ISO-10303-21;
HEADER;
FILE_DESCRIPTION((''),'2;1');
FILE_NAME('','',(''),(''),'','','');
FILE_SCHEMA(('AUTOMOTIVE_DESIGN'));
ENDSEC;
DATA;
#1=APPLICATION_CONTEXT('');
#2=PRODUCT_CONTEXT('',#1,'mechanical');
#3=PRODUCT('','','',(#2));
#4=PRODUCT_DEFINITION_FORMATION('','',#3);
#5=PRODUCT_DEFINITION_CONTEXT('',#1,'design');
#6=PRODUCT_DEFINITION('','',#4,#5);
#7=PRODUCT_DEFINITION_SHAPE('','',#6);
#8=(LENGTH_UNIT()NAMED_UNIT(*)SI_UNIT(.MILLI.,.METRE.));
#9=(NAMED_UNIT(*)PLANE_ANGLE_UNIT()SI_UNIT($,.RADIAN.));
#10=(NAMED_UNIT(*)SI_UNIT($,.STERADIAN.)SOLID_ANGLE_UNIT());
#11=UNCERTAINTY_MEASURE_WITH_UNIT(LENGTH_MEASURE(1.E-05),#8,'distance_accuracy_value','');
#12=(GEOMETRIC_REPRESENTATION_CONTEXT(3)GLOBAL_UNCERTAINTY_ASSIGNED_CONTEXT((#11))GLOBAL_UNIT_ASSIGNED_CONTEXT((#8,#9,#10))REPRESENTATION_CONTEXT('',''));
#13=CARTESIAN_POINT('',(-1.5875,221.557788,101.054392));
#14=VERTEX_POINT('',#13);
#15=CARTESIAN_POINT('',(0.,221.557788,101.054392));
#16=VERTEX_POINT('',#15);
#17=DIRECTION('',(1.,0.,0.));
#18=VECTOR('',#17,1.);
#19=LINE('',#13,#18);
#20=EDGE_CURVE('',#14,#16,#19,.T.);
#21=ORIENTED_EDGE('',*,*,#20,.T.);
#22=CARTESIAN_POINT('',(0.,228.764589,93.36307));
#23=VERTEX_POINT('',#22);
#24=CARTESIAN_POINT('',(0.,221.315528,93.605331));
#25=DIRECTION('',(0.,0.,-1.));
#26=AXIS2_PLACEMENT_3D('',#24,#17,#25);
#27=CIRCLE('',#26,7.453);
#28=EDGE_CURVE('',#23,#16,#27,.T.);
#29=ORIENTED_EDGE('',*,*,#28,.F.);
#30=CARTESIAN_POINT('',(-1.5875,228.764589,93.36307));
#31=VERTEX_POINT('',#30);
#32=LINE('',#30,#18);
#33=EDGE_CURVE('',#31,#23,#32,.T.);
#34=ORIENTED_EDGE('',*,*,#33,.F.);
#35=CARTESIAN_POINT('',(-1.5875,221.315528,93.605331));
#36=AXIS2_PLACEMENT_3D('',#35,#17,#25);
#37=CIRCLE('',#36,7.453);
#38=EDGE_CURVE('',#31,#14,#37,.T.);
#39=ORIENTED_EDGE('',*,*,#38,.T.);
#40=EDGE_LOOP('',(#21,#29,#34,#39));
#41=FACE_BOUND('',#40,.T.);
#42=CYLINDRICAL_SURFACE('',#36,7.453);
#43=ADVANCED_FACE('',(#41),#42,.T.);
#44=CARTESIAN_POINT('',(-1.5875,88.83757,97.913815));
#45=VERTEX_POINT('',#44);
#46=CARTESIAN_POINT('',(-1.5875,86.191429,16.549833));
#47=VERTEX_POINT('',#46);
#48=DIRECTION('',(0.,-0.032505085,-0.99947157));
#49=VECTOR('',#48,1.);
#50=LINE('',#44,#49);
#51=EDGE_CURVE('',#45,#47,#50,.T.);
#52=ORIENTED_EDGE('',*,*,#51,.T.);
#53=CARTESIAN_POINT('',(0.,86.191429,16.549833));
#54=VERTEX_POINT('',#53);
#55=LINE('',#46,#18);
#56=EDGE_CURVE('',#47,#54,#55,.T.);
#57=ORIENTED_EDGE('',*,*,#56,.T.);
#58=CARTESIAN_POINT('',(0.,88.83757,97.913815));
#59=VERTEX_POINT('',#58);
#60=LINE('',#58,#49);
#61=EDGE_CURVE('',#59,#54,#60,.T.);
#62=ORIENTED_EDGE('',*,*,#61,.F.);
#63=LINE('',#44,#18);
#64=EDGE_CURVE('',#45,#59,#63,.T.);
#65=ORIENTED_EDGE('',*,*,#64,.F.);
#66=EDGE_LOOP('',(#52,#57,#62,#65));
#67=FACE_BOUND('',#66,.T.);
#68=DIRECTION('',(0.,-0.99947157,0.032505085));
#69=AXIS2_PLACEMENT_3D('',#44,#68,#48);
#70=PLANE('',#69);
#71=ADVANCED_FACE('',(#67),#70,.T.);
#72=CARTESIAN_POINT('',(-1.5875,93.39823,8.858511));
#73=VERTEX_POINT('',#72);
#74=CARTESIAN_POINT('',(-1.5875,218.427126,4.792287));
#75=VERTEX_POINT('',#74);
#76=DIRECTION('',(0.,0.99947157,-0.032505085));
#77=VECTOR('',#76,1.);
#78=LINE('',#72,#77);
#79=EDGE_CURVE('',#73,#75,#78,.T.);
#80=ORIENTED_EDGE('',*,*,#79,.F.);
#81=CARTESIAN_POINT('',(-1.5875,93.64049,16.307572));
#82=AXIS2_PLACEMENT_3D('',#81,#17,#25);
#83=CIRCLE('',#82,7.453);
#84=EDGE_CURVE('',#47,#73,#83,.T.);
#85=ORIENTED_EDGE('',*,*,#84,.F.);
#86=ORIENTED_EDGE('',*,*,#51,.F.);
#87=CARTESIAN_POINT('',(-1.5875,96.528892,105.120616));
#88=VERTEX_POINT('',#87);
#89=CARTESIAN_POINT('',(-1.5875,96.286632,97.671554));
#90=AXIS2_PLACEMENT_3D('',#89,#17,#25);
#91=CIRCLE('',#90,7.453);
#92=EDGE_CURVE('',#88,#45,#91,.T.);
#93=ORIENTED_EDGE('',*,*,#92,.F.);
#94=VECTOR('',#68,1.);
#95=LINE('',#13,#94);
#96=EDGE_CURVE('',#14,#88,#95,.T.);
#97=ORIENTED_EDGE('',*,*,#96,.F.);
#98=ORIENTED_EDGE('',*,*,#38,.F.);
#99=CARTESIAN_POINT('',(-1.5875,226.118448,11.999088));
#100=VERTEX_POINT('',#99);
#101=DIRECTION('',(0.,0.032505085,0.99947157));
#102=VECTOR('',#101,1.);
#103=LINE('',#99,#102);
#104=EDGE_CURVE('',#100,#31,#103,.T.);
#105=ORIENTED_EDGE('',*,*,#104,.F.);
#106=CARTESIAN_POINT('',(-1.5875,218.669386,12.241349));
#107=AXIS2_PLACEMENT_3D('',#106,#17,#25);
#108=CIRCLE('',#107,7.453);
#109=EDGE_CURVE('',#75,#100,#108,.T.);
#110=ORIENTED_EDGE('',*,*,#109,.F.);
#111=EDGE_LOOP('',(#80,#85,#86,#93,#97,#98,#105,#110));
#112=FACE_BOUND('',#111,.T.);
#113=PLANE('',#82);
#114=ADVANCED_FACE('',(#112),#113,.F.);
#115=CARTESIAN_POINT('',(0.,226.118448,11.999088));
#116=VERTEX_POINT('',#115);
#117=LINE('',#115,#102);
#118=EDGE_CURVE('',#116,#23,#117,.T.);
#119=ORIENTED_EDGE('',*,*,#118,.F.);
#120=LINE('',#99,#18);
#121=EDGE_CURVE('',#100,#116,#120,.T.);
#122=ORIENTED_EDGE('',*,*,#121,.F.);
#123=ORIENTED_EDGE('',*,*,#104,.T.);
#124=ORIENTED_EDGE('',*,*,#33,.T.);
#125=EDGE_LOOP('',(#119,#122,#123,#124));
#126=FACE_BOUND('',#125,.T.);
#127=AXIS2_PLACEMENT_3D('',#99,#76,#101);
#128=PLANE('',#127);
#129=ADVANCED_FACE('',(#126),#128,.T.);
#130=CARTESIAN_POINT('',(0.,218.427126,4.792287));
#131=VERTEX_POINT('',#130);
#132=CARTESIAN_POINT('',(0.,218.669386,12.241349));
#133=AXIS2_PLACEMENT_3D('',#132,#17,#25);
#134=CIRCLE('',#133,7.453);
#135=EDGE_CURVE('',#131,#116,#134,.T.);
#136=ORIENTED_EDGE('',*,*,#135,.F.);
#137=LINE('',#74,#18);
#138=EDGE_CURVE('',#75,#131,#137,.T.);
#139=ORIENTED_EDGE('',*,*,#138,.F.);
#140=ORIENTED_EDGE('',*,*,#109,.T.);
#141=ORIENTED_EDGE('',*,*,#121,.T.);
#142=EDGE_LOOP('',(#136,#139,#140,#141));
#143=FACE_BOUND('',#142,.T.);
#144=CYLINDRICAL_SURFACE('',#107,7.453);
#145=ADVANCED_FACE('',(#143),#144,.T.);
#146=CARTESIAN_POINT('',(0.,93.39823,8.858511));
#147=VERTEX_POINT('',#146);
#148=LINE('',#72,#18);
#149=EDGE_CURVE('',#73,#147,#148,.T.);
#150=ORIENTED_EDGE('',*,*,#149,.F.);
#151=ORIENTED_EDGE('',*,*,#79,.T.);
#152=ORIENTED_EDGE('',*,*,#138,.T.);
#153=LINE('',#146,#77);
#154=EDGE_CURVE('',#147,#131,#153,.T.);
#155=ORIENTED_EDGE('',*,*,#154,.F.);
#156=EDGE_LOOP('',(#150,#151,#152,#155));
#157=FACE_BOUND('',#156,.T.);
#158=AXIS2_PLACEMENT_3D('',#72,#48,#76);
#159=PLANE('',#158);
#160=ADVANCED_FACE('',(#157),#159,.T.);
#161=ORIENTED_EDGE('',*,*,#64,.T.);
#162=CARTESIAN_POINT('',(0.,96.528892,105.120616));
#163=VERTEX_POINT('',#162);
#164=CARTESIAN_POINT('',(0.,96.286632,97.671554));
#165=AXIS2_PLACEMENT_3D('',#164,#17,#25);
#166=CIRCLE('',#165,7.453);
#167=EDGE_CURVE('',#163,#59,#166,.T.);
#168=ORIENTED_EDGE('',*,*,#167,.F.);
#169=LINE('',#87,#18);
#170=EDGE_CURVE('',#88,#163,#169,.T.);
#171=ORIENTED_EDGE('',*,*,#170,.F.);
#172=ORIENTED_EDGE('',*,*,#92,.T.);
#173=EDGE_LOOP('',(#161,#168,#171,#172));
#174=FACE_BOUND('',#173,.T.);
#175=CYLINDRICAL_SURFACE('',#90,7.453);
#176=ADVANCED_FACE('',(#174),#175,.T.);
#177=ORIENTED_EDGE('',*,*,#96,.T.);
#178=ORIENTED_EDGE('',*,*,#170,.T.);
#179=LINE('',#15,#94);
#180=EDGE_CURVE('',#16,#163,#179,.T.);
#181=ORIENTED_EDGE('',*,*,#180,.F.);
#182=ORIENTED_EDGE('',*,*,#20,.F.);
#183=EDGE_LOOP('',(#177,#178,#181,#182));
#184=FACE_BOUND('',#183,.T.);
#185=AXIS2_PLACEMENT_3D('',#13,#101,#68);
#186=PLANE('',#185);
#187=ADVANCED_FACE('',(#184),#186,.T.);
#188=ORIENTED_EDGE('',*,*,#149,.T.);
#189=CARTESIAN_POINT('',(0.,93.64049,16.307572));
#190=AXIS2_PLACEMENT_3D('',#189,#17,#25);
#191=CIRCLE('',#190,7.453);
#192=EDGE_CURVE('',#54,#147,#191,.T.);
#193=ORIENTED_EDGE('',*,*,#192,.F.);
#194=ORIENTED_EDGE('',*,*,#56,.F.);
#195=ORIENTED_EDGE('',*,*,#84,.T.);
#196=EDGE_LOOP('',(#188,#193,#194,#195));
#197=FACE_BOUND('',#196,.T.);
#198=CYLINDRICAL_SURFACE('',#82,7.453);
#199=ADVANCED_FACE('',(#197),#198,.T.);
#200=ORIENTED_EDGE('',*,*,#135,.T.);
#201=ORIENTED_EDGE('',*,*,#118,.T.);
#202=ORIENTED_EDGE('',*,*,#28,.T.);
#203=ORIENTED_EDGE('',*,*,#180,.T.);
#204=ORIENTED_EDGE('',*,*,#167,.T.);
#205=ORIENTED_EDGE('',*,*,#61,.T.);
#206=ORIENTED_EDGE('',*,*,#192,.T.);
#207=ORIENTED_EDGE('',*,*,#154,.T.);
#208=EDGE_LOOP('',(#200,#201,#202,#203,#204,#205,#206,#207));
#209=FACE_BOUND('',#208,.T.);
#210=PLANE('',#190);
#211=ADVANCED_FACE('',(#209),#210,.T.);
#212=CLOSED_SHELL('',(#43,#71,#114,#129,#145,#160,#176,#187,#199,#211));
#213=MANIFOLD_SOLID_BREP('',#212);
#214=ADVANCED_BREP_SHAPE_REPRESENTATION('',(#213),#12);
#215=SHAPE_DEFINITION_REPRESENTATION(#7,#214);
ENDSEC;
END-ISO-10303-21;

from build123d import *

# Parameters (mm, degrees)
BOSS_EXTRUDE1_DEPTH = 1.5875


with BuildPart() as part:
    # Sketch1 → Boss-Extrude1 (new body)
    with BuildSketch(Plane(origin=(0, 0, 0), x_dir=(0, 0, -1), z_dir=(1, 0, 0))):
        with BuildLine():
            Line((-8.85851075, 93.398229771), (-4.792287106, 218.427125832))
            ThreePointArc((-4.792287106, 218.427125832), (-6.802762766, 223.76536424), (-11.999088317, 226.118447845))
            Line((-11.999088317, 226.118447845), (-93.363070424, 228.764589323))
            ThreePointArc((-93.363070424, 228.764589323), (-98.701308832, 226.754113663), (-101.054392437, 221.557788112))
            Line((-101.054392437, 221.557788112), (-105.120616081, 96.528892051))
            ThreePointArc((-105.120616081, 96.528892051), (-103.11014042, 91.190653643), (-97.91381487, 88.837570038))
            Line((-97.91381487, 88.837570038), (-16.549832763, 86.19142856))
            ThreePointArc((-16.549832763, 86.19142856), (-11.211594355, 88.201904221), (-8.85851075, 93.398229771))
        make_face()
    extrude(amount=-BOSS_EXTRUDE1_DEPTH)


solid = part.part
